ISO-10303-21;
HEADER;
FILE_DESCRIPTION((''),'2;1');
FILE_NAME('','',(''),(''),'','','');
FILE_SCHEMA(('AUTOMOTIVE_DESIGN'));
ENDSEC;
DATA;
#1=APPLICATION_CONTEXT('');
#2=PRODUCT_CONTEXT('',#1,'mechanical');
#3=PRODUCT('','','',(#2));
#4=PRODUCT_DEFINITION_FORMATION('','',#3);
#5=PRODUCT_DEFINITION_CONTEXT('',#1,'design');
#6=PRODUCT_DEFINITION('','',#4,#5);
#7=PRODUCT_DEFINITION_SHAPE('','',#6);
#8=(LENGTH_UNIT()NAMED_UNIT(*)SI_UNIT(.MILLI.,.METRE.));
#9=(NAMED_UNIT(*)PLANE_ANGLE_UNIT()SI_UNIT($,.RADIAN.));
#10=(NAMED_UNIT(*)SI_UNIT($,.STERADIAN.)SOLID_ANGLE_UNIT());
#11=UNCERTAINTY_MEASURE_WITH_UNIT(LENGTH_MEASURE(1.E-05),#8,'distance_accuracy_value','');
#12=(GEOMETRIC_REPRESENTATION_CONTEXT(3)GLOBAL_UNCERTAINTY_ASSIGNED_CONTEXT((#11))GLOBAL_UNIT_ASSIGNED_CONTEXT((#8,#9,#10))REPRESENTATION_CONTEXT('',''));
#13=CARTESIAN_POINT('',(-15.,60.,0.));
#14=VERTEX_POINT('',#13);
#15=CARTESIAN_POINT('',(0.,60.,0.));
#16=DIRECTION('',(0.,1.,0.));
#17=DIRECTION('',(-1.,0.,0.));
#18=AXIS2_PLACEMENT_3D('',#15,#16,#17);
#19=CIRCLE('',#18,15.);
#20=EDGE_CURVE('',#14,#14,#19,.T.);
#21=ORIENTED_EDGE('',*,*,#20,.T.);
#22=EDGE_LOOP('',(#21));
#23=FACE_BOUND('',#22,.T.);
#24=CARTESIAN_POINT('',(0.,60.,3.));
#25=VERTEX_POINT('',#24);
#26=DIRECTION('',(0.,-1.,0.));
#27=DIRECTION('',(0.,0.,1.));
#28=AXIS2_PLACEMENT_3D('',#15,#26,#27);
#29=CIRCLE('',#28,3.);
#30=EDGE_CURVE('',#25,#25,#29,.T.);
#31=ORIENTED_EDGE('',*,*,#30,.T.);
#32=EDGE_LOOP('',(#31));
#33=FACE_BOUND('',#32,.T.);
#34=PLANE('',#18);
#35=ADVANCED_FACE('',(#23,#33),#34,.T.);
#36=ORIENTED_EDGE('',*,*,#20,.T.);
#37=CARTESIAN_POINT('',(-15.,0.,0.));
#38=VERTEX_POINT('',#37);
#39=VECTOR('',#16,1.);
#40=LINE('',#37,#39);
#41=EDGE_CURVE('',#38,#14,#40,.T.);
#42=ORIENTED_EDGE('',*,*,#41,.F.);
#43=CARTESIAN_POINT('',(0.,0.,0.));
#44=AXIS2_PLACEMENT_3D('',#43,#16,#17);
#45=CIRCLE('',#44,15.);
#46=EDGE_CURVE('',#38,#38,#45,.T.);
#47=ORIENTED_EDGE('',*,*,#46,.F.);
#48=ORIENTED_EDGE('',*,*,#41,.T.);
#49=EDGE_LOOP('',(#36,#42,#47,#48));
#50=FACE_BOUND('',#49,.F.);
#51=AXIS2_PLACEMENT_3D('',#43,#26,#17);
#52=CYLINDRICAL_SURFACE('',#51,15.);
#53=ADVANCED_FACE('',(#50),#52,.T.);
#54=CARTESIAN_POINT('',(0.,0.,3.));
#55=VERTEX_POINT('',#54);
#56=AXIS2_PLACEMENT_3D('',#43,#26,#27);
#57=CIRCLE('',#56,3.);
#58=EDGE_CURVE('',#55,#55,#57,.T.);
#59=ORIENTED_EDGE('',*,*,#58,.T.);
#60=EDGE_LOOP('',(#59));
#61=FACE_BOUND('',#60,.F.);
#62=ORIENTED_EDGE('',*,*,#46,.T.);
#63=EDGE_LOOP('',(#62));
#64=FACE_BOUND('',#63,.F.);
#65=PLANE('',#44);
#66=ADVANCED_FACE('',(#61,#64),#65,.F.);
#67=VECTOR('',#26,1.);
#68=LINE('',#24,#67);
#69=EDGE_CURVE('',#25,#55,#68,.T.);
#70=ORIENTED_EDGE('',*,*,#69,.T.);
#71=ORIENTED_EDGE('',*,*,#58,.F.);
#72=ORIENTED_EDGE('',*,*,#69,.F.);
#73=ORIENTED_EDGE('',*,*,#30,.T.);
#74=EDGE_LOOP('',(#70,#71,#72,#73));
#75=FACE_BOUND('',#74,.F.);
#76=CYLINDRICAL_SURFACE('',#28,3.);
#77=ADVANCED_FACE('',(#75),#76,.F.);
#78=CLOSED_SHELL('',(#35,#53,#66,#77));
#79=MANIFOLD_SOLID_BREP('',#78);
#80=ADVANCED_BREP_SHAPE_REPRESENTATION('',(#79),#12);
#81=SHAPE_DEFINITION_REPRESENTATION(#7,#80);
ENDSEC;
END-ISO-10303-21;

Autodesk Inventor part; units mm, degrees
ref_plane "YZ Plane" through (0, 0, 0) normal (1, 0, 0) x (0, 1, 0)
ref_plane "XZ Plane" through (0, 0, 0) normal (0, 1, 0) x (-1, 0, 0)
ref_plane "XY Plane" through (0, 0, 0) normal (0, 0, 1) x (1, 0, 0)
sketch "スケッチ1" plane through (0, 0, 0) normal (0, 1, 0) x (-1, 0, 0)
  circle A0 centre (0, 0) radius 15
  dimension "d0" = 30
extrude "押し出し1" add sketch "スケッチ1" along normal blind 60
sketch "スケッチ2" plane through (0, 60, 0) normal (0, 1, 0) x (1, 0, 0)
  circle A0 centre (0, 0) radius 3
  dimension "d3" = 6
hole "穴1" at (0, 60, 0) direction (0, -1, 0) diameter 6 depth 60
equation "\"BendRadius\" = Thickness"
equation "\"BendReliefWidth\" = Thickness"
equation "\"BendReliefDepth\" = 0.5 * Thickness"
equation "\"CornerReliefSize\" = 4 * Thickness"
equation "\"MinimumRemnant\" = 2 * Thickness"
equation "\"TransitionRadius\" = BendRadius"
equation "\"JacobiRadiusSize\" = BendRadius"
equation "\"GapSize\" = Thickness"
equation "\"Thickness\" = 0.5"
